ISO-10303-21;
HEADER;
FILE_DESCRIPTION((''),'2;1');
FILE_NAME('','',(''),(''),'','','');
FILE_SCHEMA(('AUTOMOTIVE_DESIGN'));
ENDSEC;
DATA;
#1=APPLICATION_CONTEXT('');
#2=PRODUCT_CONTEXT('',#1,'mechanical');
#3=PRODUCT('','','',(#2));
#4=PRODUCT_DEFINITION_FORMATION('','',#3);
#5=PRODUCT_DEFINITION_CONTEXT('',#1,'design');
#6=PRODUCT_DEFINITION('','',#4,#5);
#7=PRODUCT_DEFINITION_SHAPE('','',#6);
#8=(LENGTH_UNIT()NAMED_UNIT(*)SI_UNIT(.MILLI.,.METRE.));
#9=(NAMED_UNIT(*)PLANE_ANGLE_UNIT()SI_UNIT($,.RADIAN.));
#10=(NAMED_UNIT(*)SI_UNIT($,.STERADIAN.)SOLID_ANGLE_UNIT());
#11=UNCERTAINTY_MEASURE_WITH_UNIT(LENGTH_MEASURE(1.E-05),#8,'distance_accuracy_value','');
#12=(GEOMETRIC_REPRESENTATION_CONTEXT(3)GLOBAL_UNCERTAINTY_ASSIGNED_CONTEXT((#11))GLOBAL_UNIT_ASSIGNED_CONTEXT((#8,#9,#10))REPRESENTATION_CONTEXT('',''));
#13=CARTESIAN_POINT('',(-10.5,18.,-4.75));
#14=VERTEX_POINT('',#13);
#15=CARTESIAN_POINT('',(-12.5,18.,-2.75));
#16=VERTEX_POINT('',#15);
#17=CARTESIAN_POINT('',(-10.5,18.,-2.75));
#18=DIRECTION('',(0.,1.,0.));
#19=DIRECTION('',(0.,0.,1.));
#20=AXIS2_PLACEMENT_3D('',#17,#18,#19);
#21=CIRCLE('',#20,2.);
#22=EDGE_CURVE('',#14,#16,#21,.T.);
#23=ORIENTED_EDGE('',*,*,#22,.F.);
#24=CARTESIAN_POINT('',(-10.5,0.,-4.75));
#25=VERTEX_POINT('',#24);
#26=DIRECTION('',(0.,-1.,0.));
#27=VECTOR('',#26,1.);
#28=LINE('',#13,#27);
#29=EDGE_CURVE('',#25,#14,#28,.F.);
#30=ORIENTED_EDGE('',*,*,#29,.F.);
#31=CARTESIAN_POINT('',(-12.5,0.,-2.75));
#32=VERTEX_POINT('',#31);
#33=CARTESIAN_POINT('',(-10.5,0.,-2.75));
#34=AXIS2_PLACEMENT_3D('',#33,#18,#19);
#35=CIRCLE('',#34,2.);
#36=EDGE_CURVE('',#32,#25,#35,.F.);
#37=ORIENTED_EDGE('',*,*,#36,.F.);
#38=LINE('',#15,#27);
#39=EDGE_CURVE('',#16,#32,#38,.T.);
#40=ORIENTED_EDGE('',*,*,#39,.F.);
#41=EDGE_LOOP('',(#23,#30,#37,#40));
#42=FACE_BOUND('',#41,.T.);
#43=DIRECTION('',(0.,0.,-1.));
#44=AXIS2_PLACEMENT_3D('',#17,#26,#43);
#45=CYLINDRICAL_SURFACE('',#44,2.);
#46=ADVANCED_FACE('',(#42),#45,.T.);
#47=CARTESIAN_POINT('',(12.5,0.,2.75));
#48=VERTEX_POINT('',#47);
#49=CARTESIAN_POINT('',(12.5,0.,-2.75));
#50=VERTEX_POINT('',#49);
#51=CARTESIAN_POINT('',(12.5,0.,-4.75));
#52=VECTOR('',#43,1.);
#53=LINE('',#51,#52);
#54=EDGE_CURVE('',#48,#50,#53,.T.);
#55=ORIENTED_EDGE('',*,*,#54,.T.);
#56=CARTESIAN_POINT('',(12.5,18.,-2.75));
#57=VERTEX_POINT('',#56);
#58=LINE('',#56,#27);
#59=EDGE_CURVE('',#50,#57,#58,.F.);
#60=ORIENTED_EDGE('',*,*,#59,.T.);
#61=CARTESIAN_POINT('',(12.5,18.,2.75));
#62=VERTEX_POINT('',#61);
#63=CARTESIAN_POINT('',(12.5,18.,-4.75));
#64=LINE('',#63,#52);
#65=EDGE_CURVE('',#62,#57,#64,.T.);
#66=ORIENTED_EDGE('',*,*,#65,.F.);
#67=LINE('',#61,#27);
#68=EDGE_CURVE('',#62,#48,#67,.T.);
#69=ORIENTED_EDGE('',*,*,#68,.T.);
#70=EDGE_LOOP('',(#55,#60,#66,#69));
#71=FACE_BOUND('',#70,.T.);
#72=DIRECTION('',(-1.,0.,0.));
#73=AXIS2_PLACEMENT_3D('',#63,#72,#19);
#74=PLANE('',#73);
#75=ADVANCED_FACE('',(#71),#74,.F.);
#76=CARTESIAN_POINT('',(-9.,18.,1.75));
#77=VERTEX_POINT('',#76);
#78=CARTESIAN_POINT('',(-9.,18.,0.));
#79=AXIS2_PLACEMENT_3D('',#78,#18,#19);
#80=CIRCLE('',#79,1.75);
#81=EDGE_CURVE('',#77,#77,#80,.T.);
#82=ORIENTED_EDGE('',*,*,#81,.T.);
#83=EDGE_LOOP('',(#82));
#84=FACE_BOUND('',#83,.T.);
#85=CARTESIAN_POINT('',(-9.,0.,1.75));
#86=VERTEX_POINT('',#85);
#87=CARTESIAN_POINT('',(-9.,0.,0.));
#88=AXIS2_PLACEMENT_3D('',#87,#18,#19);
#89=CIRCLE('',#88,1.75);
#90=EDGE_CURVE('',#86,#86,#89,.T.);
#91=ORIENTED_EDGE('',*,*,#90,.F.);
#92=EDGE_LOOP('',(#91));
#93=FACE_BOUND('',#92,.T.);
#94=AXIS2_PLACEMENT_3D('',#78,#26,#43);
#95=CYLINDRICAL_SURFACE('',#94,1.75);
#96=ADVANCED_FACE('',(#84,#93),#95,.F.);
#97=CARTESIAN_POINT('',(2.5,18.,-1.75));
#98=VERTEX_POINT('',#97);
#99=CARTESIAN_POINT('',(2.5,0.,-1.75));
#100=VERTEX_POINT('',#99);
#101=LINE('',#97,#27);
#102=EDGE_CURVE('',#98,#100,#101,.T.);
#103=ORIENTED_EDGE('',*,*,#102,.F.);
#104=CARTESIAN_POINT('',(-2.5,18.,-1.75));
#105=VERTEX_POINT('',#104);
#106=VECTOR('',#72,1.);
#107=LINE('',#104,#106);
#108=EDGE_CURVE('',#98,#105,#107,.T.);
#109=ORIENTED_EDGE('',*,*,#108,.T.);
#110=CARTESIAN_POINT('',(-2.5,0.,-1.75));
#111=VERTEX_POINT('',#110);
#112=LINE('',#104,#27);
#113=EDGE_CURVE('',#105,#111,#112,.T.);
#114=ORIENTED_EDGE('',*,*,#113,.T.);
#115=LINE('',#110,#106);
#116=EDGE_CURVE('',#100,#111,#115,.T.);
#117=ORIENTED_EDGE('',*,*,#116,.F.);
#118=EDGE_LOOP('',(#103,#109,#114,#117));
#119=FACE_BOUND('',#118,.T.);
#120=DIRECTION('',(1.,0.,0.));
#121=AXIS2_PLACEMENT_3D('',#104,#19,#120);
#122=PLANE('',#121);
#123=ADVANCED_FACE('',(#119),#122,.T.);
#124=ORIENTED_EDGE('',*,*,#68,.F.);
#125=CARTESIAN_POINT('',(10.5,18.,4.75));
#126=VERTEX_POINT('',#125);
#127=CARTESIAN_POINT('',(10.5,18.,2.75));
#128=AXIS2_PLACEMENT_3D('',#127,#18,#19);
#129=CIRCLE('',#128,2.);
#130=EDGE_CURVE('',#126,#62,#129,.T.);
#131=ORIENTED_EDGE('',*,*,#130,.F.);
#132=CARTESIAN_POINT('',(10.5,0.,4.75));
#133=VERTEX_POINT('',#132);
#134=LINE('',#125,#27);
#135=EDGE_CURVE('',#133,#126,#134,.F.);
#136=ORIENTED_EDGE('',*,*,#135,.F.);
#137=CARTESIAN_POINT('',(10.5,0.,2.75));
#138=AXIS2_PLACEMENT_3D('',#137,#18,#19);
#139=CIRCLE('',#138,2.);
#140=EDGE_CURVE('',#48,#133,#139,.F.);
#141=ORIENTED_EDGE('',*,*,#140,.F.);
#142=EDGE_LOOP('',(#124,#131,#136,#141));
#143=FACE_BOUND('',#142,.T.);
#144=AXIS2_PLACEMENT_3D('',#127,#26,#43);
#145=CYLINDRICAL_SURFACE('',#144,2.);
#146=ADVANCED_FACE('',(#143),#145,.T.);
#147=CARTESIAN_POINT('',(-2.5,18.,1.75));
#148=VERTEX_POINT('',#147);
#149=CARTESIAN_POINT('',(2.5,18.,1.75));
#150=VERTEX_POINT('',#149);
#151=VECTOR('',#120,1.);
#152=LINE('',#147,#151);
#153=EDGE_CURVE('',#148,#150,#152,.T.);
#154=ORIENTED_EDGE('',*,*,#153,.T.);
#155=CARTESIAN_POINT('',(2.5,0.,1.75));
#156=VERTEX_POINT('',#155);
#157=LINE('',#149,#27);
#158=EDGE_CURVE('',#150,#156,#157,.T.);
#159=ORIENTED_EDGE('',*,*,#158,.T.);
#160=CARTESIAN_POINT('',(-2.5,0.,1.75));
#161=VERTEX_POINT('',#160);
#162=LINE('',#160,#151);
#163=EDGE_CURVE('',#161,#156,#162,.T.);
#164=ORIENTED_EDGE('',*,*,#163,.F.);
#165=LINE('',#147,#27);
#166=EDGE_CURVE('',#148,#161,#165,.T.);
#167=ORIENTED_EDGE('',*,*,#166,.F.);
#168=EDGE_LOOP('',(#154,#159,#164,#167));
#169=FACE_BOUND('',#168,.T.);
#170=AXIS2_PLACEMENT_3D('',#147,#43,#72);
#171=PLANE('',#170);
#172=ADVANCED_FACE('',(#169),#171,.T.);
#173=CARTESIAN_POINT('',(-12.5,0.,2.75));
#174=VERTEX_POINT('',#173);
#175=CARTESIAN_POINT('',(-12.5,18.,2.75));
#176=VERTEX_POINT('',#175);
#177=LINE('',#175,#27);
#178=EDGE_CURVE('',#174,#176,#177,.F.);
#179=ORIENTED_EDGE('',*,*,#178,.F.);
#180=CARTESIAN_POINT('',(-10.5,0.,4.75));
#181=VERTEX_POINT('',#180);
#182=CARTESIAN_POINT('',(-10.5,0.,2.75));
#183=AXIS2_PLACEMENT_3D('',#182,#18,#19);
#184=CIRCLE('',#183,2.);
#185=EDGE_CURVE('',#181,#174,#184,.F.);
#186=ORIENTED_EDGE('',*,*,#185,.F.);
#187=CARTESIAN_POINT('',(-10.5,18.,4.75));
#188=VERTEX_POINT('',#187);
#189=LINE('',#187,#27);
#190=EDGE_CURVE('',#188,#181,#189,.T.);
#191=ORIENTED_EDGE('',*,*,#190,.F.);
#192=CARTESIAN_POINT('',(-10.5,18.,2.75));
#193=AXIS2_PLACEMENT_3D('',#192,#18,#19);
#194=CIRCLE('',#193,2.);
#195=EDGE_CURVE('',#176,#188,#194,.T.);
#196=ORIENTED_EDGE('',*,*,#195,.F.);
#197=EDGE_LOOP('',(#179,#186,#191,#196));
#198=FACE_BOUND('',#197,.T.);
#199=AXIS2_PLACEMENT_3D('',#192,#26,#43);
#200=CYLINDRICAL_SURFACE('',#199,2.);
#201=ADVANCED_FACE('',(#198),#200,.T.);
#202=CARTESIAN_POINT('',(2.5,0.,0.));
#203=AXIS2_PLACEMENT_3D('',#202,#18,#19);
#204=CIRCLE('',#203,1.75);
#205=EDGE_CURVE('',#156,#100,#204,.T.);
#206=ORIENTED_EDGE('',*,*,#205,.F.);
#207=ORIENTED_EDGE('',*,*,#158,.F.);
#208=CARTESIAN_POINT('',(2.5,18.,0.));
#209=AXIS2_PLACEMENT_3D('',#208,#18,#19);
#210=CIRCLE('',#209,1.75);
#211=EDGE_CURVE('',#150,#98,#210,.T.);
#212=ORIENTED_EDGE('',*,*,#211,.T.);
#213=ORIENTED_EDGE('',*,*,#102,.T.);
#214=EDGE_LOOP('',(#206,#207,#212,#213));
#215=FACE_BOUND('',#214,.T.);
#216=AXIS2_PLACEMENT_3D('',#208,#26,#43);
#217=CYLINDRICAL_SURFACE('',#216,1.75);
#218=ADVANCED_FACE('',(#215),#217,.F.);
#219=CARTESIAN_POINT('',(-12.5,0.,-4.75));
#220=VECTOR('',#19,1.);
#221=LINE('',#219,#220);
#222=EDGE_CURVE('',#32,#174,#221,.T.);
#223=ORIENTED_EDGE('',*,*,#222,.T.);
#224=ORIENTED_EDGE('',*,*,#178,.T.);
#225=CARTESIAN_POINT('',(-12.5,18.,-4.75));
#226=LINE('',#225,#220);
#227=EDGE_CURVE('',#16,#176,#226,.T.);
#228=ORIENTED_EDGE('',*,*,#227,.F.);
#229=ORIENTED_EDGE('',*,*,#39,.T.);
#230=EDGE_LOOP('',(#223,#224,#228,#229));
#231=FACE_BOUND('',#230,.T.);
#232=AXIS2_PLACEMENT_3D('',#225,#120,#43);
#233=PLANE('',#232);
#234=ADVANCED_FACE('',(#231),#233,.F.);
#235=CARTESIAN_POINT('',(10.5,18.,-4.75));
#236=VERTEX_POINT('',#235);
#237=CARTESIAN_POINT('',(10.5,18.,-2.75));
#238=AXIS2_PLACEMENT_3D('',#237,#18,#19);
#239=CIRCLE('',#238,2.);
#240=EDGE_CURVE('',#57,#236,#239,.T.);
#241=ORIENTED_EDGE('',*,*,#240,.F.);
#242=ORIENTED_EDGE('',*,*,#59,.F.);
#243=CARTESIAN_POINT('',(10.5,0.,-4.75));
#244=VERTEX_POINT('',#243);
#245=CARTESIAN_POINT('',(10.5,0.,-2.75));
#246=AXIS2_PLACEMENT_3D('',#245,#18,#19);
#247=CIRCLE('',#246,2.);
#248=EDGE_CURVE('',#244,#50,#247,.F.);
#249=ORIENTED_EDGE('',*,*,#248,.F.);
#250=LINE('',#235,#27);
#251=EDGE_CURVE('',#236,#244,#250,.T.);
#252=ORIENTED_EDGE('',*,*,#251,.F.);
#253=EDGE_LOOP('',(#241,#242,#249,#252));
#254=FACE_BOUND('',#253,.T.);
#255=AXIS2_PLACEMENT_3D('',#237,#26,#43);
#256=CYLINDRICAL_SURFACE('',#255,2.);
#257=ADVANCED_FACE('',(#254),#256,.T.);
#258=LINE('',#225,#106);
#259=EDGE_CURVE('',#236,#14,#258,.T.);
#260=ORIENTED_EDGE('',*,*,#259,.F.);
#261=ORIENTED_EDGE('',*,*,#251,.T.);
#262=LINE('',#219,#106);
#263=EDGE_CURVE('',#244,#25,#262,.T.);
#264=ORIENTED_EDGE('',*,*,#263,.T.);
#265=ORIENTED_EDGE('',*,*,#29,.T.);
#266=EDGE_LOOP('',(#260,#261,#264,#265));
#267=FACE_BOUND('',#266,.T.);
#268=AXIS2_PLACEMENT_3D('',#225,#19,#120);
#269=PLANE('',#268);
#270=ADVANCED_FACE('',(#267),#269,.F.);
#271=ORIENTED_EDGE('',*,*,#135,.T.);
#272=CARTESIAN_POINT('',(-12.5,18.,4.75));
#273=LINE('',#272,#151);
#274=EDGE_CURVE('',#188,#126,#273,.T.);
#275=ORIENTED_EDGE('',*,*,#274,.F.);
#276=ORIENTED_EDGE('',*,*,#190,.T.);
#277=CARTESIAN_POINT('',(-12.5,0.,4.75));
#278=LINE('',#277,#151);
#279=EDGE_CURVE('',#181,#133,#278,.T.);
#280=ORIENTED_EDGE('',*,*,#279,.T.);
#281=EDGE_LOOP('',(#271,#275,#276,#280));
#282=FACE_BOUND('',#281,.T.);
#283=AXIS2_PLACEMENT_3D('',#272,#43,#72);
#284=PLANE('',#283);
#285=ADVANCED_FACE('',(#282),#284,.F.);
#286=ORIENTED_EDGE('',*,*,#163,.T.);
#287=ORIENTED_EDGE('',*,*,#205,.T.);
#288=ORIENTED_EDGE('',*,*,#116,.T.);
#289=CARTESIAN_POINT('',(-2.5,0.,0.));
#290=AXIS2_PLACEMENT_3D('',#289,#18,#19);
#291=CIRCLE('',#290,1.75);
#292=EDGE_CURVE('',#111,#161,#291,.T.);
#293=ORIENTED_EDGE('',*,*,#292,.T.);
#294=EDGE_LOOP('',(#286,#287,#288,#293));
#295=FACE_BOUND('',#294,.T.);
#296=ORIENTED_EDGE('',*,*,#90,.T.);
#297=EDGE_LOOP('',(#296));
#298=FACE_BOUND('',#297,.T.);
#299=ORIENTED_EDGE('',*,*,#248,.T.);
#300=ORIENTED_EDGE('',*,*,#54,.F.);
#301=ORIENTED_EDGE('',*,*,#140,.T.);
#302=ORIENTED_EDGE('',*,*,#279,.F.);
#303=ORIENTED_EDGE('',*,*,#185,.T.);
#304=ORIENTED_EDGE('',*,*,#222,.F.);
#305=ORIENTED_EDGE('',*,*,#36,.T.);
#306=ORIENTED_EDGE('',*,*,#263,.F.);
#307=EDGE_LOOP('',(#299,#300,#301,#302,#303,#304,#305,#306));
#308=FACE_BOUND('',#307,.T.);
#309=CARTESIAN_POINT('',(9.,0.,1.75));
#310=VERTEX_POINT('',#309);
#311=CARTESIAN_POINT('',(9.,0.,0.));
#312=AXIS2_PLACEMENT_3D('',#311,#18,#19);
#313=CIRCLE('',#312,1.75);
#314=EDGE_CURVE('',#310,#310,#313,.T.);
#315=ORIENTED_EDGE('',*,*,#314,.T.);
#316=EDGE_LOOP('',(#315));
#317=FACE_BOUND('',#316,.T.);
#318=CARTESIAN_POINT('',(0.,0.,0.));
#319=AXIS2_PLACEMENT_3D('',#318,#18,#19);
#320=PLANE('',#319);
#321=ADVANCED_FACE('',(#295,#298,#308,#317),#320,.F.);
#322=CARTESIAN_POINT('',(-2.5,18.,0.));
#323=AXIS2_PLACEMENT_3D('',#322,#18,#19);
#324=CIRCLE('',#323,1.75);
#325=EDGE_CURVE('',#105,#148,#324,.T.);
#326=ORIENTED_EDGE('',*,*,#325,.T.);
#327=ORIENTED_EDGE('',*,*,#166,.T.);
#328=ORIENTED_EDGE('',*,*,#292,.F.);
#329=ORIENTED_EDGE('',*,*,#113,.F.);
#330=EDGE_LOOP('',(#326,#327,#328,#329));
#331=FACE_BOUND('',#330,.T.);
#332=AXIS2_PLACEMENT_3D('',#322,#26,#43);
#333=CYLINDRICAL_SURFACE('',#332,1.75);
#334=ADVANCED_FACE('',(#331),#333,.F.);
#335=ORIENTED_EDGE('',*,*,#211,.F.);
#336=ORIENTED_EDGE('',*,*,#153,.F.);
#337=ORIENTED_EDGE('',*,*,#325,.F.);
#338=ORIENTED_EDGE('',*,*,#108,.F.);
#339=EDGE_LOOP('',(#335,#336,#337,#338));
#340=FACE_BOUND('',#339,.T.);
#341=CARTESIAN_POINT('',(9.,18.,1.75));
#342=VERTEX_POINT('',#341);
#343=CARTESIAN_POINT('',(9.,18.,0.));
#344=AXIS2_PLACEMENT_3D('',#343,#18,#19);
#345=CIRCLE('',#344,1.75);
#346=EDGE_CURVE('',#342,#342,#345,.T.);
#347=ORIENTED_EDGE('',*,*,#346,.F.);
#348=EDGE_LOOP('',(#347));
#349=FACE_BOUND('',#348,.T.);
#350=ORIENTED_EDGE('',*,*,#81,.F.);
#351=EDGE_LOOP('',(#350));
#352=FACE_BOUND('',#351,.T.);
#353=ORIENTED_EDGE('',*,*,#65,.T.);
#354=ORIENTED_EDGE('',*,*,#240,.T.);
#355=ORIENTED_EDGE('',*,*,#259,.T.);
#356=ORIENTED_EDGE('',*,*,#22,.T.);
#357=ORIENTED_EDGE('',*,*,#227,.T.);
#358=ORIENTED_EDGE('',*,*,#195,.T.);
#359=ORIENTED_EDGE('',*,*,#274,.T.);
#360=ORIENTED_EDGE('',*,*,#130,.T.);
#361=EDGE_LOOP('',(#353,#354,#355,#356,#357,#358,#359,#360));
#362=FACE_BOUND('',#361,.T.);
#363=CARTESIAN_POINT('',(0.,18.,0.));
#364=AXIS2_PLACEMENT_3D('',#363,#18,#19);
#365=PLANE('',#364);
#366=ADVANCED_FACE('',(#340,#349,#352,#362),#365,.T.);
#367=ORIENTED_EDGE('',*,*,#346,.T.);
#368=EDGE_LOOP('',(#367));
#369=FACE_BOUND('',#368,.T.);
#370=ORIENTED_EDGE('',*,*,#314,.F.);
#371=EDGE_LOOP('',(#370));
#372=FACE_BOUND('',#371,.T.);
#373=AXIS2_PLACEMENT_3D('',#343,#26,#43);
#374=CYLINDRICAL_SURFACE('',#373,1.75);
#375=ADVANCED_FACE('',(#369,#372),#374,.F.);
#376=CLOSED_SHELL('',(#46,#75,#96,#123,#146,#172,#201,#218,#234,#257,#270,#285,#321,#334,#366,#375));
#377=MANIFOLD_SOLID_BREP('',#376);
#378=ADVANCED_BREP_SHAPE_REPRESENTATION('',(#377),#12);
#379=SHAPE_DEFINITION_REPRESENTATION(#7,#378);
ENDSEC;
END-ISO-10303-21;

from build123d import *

# Parameters (mm, degrees)
SKETCH_1_W      = 25
SKETCH_1_H      = 9.5
SKETCH_1_R      = 1.75
EXTRUDE_1_DEPTH = 18
FILLET_1_R      = 2


with BuildPart() as part:
    # 草图1 → 凸台-拉伸1 (new body)
    with BuildSketch(Plane(origin=(0, 0, 0), x_dir=(1, 0, 0), z_dir=(0, 1, 0))):
        Rectangle(SKETCH_1_W, SKETCH_1_H)
        with Locations(Location((-9, 0, 0), (0, 0, 270))):
            Circle(SKETCH_1_R, mode=Mode.SUBTRACT)
        with Locations(Location((9, 0, 0), (0, 0, 270))):
            Circle(SKETCH_1_R, mode=Mode.SUBTRACT)
        with BuildLine():
            Line((-2.5, 1.75), (2.5, 1.75))
            ThreePointArc((2.5, 1.75), (4.25, 0), (2.5, -1.75))
            Line((2.5, -1.75), (-2.5, -1.75))
            ThreePointArc((-2.5, -1.75), (-4.25, 0), (-2.5, 1.75))
        make_face(mode=Mode.SUBTRACT)
    extrude(amount=EXTRUDE_1_DEPTH)

    # 圆角1
    fillet_1_edges = [part.edges().sort_by_distance(p)[0] for p in [
        (12.5, 9, 4.75),
        (-12.5, 9, 4.75),
        (-12.5, 9, -4.75),
        (12.5, 9, -4.75),
    ]]
    fillet(fillet_1_edges, radius=FILLET_1_R)


solid = part.part
